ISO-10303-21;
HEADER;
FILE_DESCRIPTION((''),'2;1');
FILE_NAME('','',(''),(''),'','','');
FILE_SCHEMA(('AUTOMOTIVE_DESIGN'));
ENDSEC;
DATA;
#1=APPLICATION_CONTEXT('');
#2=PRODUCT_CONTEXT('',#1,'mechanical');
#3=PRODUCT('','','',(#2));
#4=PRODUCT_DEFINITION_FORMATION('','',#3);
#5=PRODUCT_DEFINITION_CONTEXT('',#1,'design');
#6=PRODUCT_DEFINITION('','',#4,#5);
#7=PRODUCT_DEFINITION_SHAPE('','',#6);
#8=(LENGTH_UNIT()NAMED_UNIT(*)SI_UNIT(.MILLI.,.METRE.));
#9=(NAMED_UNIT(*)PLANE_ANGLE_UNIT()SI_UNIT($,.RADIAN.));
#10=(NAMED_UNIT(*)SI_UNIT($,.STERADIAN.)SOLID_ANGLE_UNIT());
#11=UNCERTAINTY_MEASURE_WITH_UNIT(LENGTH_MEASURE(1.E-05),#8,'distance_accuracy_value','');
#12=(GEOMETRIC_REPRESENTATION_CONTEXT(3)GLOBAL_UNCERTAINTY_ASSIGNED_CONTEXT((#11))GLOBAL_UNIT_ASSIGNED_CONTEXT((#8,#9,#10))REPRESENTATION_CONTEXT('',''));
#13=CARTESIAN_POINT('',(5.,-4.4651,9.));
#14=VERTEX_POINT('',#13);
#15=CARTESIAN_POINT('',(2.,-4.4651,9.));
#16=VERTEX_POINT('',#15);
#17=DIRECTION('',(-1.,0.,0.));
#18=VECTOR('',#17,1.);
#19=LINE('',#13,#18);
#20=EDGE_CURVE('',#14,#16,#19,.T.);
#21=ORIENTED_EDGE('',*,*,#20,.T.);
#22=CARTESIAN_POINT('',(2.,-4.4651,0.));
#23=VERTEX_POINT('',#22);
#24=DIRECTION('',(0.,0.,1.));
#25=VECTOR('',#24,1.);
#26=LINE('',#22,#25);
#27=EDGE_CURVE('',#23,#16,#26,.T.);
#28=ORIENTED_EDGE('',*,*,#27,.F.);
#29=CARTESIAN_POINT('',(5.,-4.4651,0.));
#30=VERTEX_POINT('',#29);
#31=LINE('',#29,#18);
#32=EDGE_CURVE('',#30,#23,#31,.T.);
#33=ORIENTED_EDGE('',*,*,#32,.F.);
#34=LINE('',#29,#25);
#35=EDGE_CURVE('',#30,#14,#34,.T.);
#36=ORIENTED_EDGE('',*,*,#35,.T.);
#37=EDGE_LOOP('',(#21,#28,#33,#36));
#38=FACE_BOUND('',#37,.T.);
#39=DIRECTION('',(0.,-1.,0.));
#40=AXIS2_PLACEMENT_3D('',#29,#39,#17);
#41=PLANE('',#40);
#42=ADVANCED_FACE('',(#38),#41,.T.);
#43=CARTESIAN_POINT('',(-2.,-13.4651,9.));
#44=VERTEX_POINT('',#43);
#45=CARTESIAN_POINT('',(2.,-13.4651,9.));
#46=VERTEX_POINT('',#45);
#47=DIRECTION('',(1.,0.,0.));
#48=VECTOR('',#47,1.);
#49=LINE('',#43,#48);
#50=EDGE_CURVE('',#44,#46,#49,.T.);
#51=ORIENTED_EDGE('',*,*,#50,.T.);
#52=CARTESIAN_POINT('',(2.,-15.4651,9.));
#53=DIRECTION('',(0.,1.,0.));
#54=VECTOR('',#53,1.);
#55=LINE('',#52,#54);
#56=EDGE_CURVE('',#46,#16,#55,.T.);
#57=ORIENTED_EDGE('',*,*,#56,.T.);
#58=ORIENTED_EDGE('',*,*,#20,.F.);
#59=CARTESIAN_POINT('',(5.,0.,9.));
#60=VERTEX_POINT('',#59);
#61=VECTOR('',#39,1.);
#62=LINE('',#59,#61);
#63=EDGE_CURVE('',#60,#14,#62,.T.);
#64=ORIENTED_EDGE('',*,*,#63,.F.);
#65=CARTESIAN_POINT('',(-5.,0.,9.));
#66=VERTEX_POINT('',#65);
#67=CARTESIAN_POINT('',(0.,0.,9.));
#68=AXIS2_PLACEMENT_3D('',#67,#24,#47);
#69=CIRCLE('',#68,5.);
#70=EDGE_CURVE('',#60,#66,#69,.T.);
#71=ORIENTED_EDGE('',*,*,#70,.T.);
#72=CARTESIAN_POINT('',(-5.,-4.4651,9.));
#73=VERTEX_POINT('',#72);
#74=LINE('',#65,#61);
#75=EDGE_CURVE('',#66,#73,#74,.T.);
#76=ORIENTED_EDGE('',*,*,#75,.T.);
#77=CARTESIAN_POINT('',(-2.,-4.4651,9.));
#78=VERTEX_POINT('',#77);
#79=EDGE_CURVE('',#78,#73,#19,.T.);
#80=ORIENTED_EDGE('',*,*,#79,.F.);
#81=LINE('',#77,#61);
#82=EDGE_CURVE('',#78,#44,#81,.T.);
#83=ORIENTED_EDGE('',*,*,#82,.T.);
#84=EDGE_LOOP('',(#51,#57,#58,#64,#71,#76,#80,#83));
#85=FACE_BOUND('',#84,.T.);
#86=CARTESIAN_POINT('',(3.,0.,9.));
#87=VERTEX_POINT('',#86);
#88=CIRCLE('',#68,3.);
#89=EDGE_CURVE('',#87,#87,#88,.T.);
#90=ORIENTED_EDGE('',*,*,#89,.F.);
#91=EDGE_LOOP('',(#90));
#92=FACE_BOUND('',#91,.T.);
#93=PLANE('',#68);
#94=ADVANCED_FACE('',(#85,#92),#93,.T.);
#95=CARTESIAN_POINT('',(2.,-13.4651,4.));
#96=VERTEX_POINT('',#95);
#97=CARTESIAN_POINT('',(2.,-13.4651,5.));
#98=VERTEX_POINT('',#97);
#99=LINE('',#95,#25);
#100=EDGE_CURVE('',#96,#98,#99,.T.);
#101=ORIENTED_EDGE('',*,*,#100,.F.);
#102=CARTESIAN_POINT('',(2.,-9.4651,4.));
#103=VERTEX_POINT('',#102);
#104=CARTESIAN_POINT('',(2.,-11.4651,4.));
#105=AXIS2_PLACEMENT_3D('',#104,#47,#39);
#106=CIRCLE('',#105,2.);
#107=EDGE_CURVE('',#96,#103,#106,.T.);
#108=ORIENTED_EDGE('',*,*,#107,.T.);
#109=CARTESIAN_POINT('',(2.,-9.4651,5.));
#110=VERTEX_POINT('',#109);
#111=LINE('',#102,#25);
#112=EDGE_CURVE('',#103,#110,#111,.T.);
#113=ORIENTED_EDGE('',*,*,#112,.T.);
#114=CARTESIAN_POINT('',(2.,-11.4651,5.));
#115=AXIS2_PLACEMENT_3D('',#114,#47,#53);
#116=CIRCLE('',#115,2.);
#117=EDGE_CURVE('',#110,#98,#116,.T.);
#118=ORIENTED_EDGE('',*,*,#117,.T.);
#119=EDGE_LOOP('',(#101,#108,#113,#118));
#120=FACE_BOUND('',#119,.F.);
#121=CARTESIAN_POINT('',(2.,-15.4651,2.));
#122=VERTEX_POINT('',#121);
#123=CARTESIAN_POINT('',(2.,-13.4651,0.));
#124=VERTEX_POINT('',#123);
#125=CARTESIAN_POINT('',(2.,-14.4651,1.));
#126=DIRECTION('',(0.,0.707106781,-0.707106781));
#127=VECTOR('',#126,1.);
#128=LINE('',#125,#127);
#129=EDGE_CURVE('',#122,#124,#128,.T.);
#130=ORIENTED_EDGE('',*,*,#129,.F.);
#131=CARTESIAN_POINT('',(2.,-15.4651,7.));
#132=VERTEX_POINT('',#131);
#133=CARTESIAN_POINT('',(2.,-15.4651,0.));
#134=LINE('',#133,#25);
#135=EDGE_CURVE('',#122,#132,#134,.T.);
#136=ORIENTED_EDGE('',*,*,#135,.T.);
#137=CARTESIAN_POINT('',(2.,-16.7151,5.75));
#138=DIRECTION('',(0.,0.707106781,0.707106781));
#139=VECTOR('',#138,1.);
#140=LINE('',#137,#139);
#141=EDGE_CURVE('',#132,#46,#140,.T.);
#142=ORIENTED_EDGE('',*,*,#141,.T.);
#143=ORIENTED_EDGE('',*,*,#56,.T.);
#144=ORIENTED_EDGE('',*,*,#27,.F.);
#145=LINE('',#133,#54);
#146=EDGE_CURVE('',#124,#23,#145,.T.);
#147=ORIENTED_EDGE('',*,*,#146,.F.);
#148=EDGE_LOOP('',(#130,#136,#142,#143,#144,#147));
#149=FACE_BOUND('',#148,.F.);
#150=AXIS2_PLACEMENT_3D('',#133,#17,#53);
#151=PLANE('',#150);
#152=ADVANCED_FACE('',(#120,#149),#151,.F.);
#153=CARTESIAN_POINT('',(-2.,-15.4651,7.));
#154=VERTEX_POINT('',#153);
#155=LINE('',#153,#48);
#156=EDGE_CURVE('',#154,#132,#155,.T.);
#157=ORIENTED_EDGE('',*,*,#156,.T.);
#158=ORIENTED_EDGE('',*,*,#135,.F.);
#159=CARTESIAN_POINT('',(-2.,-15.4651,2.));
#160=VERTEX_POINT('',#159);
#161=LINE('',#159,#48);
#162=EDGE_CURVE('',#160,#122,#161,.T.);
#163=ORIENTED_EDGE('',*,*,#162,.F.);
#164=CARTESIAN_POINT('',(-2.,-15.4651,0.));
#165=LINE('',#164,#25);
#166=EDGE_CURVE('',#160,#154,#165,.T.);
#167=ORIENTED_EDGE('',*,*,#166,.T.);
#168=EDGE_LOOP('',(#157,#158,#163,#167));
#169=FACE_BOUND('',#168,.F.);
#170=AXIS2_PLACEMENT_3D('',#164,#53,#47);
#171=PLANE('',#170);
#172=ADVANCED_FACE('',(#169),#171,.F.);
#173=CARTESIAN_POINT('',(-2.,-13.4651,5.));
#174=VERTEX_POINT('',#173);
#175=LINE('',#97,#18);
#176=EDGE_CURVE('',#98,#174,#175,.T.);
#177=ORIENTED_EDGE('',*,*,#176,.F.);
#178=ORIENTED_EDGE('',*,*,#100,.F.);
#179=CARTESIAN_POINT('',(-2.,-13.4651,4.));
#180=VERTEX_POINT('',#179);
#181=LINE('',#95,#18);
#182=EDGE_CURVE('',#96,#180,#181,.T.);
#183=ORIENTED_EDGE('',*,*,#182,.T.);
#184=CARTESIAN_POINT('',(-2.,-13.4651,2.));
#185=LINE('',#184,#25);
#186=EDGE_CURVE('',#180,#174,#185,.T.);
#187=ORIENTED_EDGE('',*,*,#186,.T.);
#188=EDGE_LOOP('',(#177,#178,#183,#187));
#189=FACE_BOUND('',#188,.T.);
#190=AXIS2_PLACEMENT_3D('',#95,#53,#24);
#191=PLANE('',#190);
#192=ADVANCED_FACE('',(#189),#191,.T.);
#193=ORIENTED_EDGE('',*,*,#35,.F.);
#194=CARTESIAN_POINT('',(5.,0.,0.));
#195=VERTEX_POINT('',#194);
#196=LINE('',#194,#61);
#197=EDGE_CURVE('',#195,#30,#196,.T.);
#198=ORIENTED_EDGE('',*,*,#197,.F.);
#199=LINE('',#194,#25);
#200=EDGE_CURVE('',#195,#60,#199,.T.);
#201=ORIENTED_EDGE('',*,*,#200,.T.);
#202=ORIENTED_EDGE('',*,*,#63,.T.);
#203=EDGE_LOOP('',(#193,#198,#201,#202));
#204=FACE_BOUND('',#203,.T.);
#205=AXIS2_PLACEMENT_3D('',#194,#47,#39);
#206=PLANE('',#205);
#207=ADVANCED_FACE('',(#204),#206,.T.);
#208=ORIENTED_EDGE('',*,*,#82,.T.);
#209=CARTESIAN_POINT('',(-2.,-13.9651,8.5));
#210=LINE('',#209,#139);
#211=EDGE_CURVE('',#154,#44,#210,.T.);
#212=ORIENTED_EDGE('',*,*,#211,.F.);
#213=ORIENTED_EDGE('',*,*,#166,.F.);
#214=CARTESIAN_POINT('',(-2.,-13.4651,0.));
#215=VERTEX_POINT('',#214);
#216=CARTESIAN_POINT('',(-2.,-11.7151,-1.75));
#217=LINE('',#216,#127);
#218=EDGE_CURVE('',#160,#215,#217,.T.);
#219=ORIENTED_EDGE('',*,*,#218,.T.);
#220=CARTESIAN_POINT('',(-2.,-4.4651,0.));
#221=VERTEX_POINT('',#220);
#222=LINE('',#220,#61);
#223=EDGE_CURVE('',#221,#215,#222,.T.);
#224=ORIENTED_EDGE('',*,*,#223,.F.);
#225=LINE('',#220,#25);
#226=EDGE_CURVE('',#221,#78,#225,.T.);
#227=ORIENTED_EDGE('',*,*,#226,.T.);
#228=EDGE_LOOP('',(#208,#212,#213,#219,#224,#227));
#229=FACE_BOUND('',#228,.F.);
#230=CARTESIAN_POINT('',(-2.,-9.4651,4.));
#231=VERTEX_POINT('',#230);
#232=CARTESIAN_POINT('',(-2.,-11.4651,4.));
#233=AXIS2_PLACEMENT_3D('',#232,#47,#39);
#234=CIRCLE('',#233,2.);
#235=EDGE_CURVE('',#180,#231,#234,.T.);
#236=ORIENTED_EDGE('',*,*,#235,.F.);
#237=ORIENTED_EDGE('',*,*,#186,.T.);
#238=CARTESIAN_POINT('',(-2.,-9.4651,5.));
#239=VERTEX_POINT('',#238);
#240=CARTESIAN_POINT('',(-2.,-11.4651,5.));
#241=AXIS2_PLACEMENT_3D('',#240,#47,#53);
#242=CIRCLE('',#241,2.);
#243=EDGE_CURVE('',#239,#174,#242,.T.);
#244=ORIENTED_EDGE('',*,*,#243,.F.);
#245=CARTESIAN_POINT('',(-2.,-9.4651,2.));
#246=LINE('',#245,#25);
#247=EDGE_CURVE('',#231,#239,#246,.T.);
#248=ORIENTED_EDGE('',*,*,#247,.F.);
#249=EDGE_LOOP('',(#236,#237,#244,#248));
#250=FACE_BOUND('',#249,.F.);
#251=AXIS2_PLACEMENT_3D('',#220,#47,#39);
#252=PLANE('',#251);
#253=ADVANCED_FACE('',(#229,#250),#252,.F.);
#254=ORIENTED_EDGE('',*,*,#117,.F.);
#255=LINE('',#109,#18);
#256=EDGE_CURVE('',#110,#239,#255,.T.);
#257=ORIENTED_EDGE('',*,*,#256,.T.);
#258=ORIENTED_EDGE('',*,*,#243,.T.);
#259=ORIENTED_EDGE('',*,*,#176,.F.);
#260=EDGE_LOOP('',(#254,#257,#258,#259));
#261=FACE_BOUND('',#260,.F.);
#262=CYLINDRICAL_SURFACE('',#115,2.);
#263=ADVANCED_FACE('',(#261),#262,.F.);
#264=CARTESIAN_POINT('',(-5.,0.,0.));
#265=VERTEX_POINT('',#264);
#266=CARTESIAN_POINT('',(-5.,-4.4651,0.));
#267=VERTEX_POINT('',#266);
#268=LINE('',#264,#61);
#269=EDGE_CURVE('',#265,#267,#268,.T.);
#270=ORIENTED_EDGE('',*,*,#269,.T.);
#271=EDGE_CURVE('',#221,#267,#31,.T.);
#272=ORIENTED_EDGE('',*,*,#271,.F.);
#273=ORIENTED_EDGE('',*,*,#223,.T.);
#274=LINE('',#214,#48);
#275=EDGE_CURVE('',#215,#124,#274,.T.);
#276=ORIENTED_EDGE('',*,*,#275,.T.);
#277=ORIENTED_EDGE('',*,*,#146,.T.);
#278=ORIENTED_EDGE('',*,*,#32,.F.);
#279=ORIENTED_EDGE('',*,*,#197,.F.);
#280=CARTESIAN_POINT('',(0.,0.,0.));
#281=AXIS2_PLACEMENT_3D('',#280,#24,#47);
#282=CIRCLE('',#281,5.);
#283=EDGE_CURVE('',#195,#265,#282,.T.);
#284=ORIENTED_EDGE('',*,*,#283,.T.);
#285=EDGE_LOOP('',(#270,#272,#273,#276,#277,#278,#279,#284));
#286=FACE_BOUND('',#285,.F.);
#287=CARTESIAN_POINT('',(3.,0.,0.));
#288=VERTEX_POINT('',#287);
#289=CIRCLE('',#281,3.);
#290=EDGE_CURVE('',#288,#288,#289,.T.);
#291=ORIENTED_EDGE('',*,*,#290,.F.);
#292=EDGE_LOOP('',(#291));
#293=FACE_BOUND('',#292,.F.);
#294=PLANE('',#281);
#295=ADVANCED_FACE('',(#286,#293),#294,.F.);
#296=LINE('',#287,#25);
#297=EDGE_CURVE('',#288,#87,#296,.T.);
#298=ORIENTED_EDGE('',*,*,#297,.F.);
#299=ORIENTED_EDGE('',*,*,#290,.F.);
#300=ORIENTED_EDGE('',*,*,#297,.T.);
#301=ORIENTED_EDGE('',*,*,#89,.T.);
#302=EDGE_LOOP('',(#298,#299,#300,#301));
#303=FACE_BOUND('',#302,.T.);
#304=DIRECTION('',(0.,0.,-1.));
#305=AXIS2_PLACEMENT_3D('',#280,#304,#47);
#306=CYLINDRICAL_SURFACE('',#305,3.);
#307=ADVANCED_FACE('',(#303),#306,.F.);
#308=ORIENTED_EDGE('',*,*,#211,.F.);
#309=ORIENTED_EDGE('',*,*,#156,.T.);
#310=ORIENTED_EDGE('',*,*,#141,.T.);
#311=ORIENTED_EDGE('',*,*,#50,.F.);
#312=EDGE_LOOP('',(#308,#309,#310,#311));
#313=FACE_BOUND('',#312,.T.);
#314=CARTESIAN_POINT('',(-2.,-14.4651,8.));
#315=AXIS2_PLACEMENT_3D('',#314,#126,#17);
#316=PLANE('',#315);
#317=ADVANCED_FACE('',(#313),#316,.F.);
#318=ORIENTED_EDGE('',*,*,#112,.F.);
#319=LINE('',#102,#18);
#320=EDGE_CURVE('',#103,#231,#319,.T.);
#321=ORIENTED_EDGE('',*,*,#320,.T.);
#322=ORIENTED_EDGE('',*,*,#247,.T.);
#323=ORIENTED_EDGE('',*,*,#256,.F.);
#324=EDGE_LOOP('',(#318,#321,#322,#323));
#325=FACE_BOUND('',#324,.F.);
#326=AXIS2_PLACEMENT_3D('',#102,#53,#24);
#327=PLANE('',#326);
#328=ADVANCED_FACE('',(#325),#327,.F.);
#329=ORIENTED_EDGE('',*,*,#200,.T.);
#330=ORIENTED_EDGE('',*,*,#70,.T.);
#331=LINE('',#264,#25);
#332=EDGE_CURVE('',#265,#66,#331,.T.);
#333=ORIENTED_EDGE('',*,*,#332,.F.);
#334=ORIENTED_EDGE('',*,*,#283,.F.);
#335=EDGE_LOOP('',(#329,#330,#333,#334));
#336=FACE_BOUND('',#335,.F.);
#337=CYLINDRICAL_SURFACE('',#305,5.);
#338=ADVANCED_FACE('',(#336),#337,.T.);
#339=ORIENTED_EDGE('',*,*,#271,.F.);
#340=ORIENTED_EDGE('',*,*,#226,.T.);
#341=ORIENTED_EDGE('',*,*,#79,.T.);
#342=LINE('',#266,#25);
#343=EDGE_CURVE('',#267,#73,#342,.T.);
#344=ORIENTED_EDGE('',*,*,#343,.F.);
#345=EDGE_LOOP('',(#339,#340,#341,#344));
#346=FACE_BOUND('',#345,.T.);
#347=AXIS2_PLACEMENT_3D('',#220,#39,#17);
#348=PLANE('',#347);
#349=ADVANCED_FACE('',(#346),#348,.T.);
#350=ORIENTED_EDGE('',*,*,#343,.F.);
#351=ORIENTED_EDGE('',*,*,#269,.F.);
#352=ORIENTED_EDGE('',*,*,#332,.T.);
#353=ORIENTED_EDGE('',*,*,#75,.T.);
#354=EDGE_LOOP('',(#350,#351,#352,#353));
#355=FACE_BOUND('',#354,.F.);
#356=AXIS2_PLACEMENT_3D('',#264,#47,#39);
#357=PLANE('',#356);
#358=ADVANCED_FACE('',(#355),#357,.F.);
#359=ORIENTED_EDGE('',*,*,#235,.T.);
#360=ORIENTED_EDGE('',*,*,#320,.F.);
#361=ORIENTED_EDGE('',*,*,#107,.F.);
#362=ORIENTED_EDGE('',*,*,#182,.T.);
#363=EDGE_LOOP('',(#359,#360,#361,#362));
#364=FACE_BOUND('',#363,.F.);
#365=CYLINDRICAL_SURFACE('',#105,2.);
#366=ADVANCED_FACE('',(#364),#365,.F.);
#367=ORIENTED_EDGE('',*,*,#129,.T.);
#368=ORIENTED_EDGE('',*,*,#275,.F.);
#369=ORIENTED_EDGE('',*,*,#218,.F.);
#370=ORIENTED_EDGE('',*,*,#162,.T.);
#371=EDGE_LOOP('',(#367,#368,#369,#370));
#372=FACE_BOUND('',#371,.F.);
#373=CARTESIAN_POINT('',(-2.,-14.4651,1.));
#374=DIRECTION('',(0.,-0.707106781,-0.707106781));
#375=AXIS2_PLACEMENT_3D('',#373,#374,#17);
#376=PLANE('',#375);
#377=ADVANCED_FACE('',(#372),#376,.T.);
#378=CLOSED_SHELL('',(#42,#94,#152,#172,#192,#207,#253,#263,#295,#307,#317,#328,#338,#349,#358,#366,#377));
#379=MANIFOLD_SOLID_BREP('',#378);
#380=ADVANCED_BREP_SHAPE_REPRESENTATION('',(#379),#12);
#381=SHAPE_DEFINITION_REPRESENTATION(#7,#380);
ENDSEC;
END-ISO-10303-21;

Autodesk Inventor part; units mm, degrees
ref_plane "YZ Plane" through (0, 0, 0) normal (1, 0, 0) x (0, 1, 0)
ref_plane "XZ Plane" through (0, 0, 0) normal (0, 1, 0) x (-1, 0, 0)
ref_plane "XY Plane" through (0, 0, 0) normal (0, 0, 1) x (1, 0, 0)
sketch "TopProfile" plane through (0, 0, 0) normal (0, 0, 1) x (1, 0, 0)
  circle A0 centre (0, 0) radius 3
  circle A1 centre (0, 0) radius 5 construction
  line L0 (-2, -4.4651) -> (-2, -15.4651)
  line L1 (-2, -15.4651) -> (2, -15.4651)
  line L2 (2, -15.4651) -> (2, -4.4651)
  line L3 (-2, -4.4651) -> (2, -4.4651)
  line L4 (2.25, -4.4651) -> (-2.25, -4.4651) construction
  line L5 (5, -4.4651) -> (-5, -4.4651)
  line L6 (5, 0) -> (5, -4.4651)
  line L7 (-5, 0) -> (-5, -4.4651)
  arc A2 (5, 0) -> (-5, 0) centre (0, 0) ccw
  dimension "d0" = 6
  dimension "d1" = 10
  dimension "d3" = 4
  dimension "d5" = 11
  dimension "d8" = 4.5
  dimension "d9" = 0.25
extrude "TopProfileFeature" add sketch "TopProfile" along normal blind 9
chamfer "BodyChamferFeatures" distance 2 angle 45 2 edges at (0, -15.4651, 9) (0, -15.4651, 0)
sketch "MountRail" plane through (2, -13.4651, 9) normal (1, 0, 0) x (0, 0, -1)
  line L0 (0, 0) -> (0, 9) construction
  line L1 (0, 2) -> (9, 2) construction
  arc A0 (5, 0) -> (5, 4) centre (5, 2) ccw
  arc A1 (4, 4) -> (4, 0) centre (4, 2) ccw
  line L2 (5, 4) -> (4, 4)
  line L3 (5, 0) -> (4, 0)
  line L4 (7, -2) -> (2, -2) construction
  line L5 (9, 9) -> (9, 0) construction
  point P0 (9, -2)
  dimension "d41" = 2
  dimension "d43" = 4
  dimension "d44" = 4
  dimension "d55" = 4
extrude "MountRailFeature" cut sketch "MountRail" against normal through all
properties part number "ForearmCuffConnector"
